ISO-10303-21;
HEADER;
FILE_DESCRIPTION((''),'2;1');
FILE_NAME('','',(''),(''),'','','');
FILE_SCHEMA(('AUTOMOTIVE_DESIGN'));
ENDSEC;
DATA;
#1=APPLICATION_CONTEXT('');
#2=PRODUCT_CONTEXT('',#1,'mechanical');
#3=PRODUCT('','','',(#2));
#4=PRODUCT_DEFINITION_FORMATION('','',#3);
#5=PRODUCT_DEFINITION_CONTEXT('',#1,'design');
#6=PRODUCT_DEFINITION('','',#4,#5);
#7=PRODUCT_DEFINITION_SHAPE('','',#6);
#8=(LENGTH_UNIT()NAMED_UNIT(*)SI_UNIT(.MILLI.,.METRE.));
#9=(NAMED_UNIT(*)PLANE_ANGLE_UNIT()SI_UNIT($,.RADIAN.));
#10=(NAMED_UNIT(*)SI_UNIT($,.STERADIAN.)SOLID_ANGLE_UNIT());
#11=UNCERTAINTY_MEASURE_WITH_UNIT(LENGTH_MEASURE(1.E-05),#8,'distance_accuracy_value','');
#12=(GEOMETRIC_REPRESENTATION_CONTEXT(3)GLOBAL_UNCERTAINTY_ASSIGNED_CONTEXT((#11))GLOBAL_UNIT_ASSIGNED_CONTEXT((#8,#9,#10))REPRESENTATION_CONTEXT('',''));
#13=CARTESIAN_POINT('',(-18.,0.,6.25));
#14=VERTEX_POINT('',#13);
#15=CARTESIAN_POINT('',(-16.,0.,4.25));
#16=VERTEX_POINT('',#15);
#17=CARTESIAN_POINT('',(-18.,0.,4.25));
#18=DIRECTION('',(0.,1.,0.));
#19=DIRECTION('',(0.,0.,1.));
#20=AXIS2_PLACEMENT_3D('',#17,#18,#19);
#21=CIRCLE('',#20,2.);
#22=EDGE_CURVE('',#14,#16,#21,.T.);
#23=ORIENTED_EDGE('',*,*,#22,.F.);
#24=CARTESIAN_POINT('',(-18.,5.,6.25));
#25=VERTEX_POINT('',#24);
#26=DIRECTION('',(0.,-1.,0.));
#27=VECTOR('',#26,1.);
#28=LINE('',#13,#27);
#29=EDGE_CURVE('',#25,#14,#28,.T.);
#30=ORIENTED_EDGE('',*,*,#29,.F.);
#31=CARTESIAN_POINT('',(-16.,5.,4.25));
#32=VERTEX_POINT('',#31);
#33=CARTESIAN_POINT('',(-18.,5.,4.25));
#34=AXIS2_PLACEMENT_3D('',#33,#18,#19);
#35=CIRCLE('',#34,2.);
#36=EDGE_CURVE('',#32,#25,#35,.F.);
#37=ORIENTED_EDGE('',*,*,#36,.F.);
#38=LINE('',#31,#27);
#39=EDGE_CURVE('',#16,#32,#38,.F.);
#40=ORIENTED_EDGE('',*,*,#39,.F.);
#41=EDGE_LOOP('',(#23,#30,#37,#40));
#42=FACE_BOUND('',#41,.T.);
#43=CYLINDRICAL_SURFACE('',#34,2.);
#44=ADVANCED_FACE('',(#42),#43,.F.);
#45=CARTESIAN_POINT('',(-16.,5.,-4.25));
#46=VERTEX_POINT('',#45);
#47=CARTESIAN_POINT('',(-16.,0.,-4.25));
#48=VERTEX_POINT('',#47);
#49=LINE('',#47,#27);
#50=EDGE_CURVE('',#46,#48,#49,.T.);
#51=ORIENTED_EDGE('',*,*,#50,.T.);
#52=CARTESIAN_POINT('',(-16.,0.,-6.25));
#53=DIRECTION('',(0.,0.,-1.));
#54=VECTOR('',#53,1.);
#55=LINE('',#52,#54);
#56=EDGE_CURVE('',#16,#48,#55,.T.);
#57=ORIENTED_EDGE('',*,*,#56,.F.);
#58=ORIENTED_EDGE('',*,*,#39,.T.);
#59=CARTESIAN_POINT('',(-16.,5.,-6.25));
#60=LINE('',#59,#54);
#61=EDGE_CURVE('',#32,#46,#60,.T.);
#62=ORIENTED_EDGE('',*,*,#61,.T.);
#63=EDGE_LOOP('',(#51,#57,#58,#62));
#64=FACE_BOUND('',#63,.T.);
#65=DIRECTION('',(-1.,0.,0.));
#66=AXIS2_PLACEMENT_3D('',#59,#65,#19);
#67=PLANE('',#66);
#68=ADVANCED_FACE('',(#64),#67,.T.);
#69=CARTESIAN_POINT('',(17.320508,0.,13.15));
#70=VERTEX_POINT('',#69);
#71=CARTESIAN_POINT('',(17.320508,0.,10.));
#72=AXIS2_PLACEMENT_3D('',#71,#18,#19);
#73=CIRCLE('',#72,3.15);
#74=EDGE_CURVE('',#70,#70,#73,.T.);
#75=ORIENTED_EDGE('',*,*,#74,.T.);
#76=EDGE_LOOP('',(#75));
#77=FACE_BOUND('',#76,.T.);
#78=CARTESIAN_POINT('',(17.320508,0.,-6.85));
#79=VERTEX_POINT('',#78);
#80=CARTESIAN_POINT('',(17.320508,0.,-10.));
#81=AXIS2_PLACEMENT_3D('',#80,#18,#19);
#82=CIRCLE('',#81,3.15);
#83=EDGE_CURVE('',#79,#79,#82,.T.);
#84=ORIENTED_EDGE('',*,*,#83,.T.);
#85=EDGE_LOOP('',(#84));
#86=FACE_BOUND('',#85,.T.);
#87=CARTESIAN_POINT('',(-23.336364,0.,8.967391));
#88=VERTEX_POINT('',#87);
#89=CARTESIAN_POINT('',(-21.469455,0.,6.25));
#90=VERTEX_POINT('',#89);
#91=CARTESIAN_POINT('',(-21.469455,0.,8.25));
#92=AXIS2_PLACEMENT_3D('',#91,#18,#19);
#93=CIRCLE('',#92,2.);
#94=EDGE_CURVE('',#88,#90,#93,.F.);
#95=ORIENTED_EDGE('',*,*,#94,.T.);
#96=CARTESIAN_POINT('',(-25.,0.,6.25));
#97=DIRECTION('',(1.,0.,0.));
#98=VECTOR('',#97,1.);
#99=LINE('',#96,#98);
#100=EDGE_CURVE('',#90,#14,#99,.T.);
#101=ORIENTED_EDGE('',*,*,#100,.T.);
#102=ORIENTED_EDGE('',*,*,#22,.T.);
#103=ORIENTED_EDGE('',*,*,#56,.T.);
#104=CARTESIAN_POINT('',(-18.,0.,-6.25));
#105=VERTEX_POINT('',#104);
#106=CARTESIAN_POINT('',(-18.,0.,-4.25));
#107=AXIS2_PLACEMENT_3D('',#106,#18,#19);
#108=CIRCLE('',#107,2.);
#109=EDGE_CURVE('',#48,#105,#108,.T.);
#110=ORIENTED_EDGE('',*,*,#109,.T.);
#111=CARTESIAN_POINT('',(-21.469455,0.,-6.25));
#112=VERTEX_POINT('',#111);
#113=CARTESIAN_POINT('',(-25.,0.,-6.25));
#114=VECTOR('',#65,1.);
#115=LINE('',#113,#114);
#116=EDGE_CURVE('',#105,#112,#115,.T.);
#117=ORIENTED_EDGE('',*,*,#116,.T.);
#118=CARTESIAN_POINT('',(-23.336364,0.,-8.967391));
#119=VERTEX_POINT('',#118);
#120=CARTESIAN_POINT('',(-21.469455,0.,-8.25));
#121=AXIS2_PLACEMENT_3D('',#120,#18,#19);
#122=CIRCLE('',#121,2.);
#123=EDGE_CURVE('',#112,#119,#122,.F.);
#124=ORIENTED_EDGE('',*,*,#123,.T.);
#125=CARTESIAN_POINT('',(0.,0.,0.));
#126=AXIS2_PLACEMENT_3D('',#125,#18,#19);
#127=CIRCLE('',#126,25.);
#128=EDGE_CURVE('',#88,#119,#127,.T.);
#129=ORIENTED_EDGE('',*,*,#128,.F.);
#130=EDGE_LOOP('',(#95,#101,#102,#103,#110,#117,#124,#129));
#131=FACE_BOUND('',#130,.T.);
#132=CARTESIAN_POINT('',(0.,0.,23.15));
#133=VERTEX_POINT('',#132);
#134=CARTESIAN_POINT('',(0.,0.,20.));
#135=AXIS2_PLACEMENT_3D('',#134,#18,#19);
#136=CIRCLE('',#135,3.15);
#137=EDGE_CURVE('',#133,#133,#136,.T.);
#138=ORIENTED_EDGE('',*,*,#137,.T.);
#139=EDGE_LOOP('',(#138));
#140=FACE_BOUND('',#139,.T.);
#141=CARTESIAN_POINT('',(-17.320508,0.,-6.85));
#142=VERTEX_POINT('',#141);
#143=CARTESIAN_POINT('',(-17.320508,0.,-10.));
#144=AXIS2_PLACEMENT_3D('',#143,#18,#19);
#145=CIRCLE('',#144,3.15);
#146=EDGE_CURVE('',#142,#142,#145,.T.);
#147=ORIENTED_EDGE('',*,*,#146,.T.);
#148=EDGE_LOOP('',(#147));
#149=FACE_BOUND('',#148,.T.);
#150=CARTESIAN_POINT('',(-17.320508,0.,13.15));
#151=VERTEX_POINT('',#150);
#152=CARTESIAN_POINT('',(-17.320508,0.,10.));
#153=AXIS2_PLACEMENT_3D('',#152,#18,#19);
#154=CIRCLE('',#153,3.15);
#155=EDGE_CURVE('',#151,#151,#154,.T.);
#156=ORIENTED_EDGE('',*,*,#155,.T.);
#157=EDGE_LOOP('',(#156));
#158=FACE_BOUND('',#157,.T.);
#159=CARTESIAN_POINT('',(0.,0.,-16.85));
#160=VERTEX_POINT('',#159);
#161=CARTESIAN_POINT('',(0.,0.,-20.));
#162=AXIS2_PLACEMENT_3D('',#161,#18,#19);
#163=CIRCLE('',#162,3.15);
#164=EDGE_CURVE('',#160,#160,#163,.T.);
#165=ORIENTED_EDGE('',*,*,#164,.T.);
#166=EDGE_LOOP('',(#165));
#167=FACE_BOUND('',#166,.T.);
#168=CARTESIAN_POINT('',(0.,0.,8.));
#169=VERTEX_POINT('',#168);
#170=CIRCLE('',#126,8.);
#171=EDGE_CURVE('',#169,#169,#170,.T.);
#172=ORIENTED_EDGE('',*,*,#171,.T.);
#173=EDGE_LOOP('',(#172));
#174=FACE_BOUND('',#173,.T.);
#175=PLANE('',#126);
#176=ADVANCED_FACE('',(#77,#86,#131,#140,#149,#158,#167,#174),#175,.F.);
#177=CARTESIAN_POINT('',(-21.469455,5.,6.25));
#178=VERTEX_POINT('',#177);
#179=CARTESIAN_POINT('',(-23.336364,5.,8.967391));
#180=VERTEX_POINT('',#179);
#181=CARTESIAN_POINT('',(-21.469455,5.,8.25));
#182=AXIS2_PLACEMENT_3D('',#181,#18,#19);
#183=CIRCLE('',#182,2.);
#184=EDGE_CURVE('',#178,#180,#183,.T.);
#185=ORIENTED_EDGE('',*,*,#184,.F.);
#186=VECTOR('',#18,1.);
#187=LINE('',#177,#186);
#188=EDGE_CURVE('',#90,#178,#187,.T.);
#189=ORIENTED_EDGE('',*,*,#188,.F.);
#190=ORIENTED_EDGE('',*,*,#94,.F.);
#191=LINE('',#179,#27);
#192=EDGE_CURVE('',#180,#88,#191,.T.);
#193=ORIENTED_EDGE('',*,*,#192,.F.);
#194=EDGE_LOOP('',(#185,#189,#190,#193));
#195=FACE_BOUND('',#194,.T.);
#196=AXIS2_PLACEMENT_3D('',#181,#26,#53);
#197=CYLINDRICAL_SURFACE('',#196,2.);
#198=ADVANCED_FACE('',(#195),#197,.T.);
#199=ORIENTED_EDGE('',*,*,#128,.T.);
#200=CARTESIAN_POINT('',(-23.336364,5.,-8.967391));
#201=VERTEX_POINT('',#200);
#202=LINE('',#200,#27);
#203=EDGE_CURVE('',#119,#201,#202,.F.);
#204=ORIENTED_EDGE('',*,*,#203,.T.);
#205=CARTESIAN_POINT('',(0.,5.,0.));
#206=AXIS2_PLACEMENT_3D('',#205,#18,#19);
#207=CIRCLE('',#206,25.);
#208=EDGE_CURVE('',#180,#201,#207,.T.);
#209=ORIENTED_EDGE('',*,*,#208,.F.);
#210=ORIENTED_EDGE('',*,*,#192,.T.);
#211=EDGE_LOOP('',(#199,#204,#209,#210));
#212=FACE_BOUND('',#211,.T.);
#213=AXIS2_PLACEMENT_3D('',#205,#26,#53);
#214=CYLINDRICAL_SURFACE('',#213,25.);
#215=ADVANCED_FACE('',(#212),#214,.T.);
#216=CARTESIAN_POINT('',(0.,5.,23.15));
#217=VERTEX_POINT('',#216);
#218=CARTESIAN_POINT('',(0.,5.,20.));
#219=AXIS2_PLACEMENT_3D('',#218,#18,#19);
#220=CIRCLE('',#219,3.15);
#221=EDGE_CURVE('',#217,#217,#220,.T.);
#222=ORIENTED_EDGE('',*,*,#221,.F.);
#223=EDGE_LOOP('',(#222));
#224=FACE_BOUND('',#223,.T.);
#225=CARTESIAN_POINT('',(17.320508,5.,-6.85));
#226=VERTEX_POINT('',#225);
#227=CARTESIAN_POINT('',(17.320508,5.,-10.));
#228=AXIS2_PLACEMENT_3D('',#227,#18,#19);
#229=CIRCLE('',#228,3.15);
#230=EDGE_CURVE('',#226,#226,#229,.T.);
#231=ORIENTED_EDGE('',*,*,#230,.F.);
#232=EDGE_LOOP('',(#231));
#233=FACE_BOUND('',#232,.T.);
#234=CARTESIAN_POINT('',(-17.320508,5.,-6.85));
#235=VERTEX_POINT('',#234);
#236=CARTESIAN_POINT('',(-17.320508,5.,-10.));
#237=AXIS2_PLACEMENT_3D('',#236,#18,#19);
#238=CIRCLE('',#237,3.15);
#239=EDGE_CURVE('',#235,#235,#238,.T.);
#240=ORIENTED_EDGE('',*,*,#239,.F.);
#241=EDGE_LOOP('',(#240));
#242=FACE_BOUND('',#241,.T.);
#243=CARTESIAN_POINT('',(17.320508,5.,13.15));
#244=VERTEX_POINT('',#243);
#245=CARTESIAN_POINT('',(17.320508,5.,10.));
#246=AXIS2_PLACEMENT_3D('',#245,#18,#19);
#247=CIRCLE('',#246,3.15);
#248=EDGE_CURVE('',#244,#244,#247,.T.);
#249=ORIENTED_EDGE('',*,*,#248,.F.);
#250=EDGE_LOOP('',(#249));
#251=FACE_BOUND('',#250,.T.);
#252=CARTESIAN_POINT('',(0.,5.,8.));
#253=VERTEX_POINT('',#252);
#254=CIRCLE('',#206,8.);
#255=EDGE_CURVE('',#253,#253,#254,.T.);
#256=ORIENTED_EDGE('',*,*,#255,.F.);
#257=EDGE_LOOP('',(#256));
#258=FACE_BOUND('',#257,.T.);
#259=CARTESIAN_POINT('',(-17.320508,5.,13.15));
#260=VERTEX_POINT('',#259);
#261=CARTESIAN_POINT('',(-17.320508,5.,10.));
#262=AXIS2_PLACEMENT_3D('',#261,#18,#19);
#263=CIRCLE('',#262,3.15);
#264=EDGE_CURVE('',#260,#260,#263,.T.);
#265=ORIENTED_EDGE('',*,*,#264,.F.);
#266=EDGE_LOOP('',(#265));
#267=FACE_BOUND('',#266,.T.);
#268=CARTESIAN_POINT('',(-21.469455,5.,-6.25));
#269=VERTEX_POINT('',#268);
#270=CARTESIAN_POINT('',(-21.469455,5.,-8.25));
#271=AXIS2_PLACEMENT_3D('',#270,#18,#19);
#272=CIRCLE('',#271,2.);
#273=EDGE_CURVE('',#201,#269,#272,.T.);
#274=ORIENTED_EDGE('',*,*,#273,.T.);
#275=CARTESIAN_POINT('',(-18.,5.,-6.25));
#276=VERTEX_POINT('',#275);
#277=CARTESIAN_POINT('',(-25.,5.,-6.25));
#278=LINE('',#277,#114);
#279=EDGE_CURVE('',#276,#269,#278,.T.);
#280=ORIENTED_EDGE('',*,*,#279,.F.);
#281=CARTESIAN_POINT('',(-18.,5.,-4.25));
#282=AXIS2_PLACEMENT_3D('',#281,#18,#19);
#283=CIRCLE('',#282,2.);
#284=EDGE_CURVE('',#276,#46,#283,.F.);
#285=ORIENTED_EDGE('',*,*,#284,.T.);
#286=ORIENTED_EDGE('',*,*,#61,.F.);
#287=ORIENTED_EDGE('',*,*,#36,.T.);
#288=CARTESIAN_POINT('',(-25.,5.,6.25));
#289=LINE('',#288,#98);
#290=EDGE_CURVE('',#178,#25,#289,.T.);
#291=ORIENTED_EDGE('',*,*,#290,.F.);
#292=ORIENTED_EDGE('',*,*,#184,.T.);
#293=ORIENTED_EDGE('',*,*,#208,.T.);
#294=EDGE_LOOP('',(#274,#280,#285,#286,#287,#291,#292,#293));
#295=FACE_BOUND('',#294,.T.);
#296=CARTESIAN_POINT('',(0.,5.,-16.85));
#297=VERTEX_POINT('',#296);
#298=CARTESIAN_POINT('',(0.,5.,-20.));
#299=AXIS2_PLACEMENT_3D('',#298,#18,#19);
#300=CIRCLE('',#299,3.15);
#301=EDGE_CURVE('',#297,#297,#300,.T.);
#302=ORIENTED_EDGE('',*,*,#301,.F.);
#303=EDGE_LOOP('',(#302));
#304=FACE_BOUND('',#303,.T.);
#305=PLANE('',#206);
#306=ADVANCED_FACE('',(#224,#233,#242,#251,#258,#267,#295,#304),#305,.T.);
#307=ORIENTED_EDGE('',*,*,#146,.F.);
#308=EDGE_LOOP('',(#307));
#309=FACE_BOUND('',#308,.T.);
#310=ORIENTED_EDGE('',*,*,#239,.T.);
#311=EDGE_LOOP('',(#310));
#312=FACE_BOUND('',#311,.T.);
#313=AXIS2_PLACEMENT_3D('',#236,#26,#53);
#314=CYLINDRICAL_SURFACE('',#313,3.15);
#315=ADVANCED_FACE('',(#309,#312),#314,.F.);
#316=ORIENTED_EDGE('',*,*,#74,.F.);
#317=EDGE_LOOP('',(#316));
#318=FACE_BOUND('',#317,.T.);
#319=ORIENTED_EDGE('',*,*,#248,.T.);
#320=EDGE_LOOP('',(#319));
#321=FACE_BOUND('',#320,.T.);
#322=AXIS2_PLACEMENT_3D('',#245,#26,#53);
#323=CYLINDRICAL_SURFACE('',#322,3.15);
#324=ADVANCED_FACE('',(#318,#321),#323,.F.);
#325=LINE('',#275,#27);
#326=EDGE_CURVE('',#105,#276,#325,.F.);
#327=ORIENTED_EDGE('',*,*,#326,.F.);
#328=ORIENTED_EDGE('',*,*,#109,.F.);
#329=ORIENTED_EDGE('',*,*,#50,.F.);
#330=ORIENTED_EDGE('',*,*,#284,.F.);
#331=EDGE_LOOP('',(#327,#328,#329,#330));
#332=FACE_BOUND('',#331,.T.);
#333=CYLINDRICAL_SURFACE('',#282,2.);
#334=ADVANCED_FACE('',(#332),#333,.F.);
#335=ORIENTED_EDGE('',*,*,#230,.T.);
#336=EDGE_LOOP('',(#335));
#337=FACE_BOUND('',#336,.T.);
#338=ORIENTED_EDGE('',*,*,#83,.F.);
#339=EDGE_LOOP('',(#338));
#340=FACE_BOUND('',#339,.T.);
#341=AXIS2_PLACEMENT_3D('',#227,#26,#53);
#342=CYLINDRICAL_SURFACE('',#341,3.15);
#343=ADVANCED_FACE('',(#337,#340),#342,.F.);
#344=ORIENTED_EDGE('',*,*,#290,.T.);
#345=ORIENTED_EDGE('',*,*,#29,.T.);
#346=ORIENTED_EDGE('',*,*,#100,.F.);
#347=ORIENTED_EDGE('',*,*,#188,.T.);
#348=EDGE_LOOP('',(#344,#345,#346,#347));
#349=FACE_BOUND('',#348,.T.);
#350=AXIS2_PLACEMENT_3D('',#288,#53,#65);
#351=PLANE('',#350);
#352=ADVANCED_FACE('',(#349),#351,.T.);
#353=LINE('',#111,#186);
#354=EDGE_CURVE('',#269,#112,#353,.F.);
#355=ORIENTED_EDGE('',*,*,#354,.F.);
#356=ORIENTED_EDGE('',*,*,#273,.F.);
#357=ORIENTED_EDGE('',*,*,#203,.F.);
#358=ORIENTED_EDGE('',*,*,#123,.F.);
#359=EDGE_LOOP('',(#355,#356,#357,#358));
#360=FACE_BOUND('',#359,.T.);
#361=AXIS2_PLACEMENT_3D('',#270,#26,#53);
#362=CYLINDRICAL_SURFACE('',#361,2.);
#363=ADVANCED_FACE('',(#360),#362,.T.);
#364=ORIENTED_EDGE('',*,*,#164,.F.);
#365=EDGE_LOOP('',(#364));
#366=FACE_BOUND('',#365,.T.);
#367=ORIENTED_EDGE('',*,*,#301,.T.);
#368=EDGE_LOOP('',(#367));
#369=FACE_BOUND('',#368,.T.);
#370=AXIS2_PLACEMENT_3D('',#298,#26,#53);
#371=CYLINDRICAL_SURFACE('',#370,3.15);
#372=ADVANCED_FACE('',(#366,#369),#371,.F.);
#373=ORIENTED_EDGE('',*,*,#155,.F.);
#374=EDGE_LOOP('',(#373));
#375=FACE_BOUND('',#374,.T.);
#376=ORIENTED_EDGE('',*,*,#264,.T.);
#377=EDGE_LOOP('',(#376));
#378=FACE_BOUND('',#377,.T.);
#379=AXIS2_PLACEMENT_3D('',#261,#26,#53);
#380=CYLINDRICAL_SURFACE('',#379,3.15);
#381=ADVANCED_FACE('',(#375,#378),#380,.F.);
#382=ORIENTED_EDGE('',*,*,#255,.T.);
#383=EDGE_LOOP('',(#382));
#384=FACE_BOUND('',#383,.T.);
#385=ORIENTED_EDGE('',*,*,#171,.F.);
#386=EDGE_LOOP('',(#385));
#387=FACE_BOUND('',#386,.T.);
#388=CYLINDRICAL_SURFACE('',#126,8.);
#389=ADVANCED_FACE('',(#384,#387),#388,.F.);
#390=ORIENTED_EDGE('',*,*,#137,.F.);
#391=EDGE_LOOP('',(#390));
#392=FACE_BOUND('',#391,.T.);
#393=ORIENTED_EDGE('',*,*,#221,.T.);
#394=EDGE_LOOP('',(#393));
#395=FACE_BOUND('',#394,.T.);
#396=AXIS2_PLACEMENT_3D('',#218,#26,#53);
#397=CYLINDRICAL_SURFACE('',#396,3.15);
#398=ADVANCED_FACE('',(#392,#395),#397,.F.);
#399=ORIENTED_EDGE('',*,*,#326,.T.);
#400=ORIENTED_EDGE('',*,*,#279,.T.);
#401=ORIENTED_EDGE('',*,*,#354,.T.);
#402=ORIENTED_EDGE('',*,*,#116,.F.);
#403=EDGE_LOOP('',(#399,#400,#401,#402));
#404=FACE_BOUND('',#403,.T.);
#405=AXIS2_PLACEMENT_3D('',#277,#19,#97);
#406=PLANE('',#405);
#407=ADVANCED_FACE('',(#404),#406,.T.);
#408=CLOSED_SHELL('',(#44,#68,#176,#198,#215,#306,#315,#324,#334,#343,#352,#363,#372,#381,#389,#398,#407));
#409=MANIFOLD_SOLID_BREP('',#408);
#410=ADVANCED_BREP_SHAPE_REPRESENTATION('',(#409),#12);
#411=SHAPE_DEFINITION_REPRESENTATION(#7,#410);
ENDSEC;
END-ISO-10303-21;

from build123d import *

# Parameters (mm, degrees)
SKETCH_1_R          = 25
SKETCH_1_R_2        = 3.15
EXTRUDE_1_DEPTH     = 5
SKETCH_2_W          = 9
SKETCH_2_H          = 12.5
CUT_EXTRUDE_3_DEPTH = 6
FILLET_1_R          = 2
SKETCH_3_R          = 8
CUT_EXTRUDE_4_DEPTH = 6


with BuildPart() as part:
    # 草图1 → 凸台-拉伸1 (new body)
    with BuildSketch(Plane(origin=(0, 0, 0), x_dir=(1, 0, 0), z_dir=(0, 1, 0))):
        Circle(SKETCH_1_R)
        with Locations((0, 20)):
            Circle(SKETCH_1_R_2, mode=Mode.SUBTRACT)
        with Locations((17.320508076, 10)):
            Circle(SKETCH_1_R_2, mode=Mode.SUBTRACT)
        with Locations((17.320508076, -10)):
            Circle(SKETCH_1_R_2, mode=Mode.SUBTRACT)
        with Locations((0, -20)):
            Circle(SKETCH_1_R_2, mode=Mode.SUBTRACT)
        with Locations((-17.320508076, -10)):
            Circle(SKETCH_1_R_2, mode=Mode.SUBTRACT)
        with Locations((-17.320508076, 10)):
            Circle(SKETCH_1_R_2, mode=Mode.SUBTRACT)
    extrude(amount=EXTRUDE_1_DEPTH)

    # 草图2 → 切除-拉伸3 (cut, through all)
    with BuildSketch(Plane(origin=(0, 0, 0), x_dir=(1, 0, 0), z_dir=(0, 1, 0))):
        with Locations((-20.5, 0)):
            Rectangle(SKETCH_2_W, SKETCH_2_H)
    extrude(amount=CUT_EXTRUDE_3_DEPTH, mode=Mode.SUBTRACT)

    # 圆角1
    fillet_1_edges = [part.edges().sort_by_distance(p)[0] for p in [
        (-24.206145914, 2.5, -6.25),
        (-24.206145914, 2.5, 6.25),
        (-16, 2.5, -6.25),
        (-16, 2.5, 6.25),
    ]]
    fillet(fillet_1_edges, radius=FILLET_1_R)

    # 草图3 → 切除-拉伸4 (cut, through all)
    with BuildSketch(Plane(origin=(0, 5, 0), x_dir=(1, 0, 0), z_dir=(0, 1, 0))):
        Circle(SKETCH_3_R)
    extrude(amount=-CUT_EXTRUDE_4_DEPTH, mode=Mode.SUBTRACT)


solid = part.part
